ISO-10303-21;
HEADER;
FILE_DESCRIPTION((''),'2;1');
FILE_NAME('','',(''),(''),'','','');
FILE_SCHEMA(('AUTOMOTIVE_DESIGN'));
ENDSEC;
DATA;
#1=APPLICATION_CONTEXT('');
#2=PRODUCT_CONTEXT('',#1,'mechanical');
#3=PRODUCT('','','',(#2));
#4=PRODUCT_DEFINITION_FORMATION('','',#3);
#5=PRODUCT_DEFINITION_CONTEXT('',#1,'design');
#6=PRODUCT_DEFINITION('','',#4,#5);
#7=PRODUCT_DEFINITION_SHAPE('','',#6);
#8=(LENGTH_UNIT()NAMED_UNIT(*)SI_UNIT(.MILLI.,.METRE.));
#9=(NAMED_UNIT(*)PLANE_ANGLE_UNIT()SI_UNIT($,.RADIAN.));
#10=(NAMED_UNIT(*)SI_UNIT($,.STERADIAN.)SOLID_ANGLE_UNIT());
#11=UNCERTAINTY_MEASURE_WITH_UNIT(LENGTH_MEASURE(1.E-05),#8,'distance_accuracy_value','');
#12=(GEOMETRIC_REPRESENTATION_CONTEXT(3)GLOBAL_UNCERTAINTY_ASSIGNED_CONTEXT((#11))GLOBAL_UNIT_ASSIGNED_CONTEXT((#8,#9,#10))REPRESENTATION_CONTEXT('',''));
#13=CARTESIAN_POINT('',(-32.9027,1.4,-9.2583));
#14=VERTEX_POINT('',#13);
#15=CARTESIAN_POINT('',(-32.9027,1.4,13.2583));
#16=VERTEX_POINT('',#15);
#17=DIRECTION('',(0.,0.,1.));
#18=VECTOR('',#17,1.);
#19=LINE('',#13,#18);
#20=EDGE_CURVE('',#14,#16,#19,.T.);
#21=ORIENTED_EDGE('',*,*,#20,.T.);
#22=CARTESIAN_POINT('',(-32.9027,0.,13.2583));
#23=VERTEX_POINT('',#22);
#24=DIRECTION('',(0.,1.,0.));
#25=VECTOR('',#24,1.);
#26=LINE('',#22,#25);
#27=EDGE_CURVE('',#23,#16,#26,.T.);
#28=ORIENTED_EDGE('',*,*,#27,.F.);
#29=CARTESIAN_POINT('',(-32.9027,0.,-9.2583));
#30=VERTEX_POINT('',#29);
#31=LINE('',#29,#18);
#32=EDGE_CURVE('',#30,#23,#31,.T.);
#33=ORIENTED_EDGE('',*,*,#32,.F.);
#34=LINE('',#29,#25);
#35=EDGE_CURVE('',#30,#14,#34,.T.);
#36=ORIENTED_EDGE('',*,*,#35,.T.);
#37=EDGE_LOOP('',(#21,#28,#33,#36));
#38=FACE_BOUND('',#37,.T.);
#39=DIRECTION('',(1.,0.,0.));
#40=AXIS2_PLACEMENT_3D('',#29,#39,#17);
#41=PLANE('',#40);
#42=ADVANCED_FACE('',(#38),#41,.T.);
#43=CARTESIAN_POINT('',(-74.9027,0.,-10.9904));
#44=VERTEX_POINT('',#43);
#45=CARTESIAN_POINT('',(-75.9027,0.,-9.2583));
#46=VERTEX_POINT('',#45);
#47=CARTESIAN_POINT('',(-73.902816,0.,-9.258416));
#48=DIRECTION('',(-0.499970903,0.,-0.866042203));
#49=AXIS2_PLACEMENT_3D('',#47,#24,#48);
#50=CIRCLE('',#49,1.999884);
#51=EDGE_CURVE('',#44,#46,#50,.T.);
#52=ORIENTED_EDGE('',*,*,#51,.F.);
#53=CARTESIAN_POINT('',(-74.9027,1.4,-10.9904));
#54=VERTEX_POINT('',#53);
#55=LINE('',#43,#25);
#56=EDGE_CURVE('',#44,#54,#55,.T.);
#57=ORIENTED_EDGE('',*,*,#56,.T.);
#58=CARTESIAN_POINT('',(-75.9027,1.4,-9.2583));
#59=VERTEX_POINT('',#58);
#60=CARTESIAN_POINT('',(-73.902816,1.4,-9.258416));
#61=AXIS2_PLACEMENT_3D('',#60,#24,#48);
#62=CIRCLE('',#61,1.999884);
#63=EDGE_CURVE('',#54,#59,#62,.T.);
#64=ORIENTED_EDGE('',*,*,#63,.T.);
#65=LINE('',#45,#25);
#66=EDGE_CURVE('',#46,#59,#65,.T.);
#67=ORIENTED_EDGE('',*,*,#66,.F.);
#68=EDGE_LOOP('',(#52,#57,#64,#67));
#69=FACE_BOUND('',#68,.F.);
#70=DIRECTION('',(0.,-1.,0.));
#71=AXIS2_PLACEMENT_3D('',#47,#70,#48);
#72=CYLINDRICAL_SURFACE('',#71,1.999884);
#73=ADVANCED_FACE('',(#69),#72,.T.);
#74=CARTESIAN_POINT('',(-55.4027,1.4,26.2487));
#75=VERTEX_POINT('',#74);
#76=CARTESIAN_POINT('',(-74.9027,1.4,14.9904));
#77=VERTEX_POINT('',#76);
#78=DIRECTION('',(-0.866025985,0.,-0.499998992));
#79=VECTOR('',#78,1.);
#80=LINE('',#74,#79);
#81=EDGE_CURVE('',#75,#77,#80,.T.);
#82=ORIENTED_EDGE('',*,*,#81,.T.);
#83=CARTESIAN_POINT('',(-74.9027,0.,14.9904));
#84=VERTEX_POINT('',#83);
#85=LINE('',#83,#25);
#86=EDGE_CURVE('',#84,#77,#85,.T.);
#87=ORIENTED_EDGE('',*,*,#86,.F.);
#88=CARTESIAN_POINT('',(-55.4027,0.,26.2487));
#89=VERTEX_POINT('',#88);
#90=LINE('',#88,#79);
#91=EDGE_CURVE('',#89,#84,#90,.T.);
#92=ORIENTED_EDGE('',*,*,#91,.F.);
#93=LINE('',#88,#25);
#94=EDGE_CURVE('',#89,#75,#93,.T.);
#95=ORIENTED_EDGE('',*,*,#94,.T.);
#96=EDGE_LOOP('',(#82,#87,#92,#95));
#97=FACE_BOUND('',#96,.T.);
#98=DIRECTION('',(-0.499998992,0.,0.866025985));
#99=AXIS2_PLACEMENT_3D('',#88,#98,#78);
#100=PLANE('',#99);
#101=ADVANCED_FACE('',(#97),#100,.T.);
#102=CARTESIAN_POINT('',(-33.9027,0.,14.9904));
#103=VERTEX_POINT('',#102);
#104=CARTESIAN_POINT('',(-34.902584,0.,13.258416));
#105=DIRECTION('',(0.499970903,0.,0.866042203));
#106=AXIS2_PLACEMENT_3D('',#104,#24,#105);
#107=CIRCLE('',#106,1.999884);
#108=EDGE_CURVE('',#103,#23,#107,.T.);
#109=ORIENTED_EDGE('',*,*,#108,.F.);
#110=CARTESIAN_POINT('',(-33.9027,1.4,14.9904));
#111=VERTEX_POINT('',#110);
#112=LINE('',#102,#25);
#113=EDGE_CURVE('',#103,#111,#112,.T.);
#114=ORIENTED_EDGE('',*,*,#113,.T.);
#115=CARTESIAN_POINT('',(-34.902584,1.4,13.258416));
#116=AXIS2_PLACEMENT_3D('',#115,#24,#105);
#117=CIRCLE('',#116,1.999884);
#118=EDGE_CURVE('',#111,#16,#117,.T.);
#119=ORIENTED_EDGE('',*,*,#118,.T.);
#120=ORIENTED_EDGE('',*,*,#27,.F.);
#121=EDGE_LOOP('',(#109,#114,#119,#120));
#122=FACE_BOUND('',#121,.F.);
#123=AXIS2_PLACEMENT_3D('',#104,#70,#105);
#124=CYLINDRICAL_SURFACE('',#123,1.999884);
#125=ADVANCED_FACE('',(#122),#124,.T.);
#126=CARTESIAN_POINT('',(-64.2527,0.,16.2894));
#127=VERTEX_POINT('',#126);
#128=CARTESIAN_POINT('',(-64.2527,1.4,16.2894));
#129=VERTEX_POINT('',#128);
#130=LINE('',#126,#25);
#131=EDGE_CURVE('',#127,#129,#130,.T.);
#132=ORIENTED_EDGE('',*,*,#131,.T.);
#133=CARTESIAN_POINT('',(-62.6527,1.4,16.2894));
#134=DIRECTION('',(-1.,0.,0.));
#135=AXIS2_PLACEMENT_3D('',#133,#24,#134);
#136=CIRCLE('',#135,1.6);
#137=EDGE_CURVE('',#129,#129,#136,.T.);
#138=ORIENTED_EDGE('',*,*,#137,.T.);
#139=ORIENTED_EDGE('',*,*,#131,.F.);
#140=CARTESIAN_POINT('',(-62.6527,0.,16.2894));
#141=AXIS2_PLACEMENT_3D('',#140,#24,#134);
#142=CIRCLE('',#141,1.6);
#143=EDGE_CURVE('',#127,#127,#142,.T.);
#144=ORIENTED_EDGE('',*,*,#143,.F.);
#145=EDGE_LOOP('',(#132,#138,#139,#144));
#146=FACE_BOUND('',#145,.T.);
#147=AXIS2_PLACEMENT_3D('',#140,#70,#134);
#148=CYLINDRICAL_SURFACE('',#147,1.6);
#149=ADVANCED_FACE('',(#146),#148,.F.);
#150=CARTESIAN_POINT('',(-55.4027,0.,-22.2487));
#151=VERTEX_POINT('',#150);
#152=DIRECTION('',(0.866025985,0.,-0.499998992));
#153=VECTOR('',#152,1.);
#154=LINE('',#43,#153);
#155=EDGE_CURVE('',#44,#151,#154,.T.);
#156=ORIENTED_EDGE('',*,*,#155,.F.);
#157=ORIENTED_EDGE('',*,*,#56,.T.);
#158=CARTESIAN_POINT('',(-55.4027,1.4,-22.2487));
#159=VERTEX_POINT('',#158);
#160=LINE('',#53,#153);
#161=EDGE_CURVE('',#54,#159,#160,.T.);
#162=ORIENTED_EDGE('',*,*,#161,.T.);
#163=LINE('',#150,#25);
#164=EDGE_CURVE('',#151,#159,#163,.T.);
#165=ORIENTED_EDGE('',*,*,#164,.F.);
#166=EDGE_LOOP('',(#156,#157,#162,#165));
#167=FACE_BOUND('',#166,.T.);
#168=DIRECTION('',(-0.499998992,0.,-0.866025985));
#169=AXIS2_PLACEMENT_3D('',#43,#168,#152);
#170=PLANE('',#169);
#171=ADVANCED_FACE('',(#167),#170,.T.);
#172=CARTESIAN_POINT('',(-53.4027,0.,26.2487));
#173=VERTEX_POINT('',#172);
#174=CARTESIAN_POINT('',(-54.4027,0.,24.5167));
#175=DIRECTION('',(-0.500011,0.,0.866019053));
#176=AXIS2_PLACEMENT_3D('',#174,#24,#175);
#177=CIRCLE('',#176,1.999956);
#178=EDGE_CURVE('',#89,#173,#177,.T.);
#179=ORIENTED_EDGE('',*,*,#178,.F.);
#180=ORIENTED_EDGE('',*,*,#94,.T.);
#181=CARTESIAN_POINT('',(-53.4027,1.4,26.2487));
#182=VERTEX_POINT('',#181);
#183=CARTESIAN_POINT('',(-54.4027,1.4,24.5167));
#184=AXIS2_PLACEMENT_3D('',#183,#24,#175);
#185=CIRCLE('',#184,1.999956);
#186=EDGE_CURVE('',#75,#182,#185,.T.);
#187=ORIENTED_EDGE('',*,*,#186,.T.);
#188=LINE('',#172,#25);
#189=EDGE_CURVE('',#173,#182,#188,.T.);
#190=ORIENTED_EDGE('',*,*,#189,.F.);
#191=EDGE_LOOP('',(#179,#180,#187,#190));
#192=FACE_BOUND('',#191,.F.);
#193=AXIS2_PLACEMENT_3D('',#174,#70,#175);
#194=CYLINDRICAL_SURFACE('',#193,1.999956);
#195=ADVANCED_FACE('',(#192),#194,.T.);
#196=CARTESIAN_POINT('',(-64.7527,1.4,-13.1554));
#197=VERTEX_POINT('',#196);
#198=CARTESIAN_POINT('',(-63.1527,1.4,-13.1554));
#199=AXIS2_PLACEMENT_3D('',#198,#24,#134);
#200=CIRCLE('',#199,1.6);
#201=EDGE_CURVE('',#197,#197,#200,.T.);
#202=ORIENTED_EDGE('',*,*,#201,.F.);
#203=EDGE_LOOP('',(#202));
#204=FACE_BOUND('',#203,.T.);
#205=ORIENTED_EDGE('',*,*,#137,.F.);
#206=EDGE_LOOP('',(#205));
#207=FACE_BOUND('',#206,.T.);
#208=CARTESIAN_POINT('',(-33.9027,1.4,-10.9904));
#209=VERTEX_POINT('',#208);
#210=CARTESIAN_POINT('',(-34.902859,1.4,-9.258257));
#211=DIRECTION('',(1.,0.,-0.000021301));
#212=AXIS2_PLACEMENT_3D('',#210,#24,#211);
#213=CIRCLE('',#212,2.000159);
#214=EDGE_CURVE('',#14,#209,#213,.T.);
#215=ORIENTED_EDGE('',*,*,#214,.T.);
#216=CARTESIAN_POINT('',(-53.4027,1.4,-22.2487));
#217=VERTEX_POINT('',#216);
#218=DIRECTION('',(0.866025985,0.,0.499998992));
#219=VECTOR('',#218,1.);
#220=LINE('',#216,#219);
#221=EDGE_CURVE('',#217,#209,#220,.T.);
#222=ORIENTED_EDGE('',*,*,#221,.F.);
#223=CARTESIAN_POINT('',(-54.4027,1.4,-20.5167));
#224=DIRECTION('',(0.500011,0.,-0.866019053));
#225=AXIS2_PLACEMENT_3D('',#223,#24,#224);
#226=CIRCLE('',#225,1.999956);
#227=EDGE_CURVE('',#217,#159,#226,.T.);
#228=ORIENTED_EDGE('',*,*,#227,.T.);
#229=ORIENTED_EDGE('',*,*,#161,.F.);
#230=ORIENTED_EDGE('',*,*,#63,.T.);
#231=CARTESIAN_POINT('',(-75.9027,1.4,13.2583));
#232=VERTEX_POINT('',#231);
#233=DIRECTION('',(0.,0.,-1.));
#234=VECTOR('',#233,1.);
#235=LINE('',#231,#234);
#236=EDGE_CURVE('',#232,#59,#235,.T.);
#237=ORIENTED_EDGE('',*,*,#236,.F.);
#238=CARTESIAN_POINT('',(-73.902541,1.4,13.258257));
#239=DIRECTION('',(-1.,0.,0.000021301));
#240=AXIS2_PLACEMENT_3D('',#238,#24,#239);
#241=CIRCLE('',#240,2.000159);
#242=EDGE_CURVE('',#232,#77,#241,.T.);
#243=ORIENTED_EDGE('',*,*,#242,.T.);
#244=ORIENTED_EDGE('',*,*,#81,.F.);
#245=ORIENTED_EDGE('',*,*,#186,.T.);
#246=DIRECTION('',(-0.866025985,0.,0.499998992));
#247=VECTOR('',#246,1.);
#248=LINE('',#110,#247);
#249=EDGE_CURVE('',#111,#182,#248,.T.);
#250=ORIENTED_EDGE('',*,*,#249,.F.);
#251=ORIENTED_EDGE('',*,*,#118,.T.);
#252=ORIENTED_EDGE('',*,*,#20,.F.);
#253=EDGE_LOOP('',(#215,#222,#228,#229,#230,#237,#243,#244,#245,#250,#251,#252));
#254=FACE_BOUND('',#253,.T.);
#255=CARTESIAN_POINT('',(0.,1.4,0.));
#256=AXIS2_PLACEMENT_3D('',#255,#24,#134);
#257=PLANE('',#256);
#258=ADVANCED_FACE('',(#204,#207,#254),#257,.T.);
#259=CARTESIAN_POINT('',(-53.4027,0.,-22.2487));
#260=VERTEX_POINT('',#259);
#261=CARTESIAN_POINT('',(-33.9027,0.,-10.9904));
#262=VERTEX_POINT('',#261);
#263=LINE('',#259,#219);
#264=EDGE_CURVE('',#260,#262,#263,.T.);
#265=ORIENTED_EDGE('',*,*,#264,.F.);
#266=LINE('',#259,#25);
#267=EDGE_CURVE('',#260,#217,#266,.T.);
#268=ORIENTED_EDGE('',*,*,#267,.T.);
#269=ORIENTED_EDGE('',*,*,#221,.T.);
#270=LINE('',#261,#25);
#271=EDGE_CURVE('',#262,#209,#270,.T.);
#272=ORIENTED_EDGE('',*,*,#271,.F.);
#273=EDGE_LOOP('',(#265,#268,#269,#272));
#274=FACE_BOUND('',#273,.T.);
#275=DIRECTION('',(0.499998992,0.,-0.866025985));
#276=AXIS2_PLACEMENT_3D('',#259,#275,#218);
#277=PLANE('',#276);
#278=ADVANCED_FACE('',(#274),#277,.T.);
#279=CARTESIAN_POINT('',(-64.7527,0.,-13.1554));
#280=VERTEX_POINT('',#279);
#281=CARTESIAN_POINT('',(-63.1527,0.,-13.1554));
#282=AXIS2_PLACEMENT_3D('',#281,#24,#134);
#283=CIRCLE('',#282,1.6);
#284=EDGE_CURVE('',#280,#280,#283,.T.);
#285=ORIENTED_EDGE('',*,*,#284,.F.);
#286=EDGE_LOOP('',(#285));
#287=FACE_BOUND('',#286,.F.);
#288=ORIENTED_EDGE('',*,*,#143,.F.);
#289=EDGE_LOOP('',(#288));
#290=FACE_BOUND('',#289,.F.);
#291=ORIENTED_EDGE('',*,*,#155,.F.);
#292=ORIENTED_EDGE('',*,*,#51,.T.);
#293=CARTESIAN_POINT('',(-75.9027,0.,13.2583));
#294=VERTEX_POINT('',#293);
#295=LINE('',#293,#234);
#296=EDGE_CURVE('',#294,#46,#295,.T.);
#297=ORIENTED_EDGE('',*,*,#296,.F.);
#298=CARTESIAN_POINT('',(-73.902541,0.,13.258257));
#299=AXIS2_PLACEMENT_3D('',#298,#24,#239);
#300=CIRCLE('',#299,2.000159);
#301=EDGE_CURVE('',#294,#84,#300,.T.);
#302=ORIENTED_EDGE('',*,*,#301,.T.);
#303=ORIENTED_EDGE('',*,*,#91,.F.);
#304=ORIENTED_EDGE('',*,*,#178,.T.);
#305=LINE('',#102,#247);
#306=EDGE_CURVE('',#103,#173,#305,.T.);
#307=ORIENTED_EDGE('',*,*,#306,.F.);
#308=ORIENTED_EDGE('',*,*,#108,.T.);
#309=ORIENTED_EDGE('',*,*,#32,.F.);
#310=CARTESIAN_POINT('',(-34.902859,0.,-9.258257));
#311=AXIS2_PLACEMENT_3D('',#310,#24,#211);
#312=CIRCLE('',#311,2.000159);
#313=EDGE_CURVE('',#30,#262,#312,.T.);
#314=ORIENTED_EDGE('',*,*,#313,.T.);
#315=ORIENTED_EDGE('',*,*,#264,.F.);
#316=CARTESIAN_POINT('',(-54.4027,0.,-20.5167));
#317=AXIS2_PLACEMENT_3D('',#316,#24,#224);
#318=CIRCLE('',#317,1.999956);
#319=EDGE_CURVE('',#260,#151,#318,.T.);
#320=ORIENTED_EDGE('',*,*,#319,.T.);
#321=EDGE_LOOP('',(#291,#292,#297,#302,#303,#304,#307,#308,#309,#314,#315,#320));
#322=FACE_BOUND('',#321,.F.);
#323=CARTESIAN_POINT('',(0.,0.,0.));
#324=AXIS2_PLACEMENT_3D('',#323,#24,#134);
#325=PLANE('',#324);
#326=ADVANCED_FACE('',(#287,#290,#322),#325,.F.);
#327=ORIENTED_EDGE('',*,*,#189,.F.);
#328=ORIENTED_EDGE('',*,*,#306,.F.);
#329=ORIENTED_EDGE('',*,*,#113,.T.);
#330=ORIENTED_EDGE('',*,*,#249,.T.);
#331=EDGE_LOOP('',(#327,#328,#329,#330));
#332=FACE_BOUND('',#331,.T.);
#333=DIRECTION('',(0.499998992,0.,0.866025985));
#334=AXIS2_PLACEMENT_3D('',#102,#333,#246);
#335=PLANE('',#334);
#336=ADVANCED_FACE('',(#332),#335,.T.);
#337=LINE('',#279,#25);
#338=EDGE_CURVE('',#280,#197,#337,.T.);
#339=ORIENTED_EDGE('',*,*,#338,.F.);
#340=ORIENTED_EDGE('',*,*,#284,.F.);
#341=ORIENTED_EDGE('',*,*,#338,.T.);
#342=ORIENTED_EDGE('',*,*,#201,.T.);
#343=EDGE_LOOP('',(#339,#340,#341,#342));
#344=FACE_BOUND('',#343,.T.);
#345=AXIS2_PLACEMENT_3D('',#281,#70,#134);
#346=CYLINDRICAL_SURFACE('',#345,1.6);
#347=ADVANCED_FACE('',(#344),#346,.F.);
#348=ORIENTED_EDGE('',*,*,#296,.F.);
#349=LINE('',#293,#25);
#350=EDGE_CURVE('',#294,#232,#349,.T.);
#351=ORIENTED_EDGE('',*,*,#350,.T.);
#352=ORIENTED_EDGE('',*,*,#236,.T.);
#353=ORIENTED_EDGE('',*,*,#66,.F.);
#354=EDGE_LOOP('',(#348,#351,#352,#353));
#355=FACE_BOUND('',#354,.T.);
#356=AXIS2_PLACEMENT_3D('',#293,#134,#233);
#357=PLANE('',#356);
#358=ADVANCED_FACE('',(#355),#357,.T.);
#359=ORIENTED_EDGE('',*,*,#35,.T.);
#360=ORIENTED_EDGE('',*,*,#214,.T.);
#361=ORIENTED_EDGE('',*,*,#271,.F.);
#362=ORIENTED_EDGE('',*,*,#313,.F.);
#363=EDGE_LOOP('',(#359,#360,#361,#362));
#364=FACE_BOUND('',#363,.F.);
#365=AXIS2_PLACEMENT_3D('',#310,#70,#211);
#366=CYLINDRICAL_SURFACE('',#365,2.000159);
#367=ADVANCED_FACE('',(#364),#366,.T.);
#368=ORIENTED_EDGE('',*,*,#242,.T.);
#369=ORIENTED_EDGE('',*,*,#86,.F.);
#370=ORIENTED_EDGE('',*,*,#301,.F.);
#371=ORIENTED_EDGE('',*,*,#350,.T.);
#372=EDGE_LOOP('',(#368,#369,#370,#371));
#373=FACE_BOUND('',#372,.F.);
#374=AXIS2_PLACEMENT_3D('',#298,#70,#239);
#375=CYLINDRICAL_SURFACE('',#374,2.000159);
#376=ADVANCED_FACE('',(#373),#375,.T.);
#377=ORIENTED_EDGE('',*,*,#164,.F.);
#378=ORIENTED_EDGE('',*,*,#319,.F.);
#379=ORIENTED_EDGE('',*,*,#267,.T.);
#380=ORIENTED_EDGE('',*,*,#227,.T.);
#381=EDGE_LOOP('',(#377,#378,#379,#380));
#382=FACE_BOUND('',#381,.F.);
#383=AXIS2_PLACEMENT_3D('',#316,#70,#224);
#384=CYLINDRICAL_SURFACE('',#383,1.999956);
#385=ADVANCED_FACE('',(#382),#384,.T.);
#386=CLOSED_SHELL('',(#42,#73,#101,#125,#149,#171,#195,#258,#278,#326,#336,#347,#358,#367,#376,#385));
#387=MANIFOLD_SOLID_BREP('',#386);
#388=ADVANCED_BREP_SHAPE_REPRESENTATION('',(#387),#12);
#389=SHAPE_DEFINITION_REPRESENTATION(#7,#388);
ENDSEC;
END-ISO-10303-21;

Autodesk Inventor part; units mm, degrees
ref_plane "YZ Plane" through (0, 0, 0) normal (1, 0, 0) x (0, 1, 0)
ref_plane "XZ Plane" through (0, 0, 0) normal (0, 1, 0) x (-1, 0, 0)
ref_plane "XY Plane" through (0, 0, 0) normal (0, 0, 1) x (1, 0, 0)
sketch "Sketch1" plane through (0, 0, 0) normal (0, 1, 0) x (-1, 0, 0)
  line L0 (55.4027, 26.2487) -> (74.9027, 14.9904)
  line L1 (75.9027, 13.2583) -> (75.9027, -9.2583)
  line L2 (74.9027, -10.9904) -> (55.4027, -22.2487)
  line L3 (53.4027, -22.2487) -> (33.9027, -10.9904)
  line L4 (32.9027, -9.2583) -> (32.9027, 13.2583)
  line L5 (33.9027, 14.9904) -> (53.4027, 26.2487)
  arc A0 (33.9027, 14.9904) -> (32.9027, 13.2583) centre (34.9027, 13.2583) ccw
  arc A1 (32.9027, -9.2583) -> (33.9027, -10.9904) centre (34.9027, -9.2583) ccw
  arc A2 (53.4027, -22.2487) -> (55.4027, -22.2487) centre (54.4027, -20.5167) ccw
  arc A3 (74.9027, -10.9904) -> (75.9027, -9.2583) centre (73.9027, -9.2583) ccw
  arc A4 (75.9027, 13.2583) -> (74.9027, 14.9904) centre (73.9027, 13.2583) ccw
  arc A5 (55.4027, 26.2487) -> (53.4027, 26.2487) centre (54.4027, 24.5167) ccw
  circle A6 centre (63.1527, -13.1554) radius 1.6
  circle A7 centre (62.6527, 16.2894) radius 1.6
  point P0 (0, 0)
  point P1 (54.4027, 26.8261)
  point P2 (75.9027, 14.413)
  point P3 (75.9027, -10.413)
  point P4 (54.4027, -22.8261)
  point P5 (32.9027, -10.413)
  point P6 (32.9027, 14.413)
  dimension "d0" = 3.2
  dimension "d1" = 3.2
extrude "Extrusion1" add sketch "Sketch1" along normal blind 1.4
properties part number "Kicker PCB"
